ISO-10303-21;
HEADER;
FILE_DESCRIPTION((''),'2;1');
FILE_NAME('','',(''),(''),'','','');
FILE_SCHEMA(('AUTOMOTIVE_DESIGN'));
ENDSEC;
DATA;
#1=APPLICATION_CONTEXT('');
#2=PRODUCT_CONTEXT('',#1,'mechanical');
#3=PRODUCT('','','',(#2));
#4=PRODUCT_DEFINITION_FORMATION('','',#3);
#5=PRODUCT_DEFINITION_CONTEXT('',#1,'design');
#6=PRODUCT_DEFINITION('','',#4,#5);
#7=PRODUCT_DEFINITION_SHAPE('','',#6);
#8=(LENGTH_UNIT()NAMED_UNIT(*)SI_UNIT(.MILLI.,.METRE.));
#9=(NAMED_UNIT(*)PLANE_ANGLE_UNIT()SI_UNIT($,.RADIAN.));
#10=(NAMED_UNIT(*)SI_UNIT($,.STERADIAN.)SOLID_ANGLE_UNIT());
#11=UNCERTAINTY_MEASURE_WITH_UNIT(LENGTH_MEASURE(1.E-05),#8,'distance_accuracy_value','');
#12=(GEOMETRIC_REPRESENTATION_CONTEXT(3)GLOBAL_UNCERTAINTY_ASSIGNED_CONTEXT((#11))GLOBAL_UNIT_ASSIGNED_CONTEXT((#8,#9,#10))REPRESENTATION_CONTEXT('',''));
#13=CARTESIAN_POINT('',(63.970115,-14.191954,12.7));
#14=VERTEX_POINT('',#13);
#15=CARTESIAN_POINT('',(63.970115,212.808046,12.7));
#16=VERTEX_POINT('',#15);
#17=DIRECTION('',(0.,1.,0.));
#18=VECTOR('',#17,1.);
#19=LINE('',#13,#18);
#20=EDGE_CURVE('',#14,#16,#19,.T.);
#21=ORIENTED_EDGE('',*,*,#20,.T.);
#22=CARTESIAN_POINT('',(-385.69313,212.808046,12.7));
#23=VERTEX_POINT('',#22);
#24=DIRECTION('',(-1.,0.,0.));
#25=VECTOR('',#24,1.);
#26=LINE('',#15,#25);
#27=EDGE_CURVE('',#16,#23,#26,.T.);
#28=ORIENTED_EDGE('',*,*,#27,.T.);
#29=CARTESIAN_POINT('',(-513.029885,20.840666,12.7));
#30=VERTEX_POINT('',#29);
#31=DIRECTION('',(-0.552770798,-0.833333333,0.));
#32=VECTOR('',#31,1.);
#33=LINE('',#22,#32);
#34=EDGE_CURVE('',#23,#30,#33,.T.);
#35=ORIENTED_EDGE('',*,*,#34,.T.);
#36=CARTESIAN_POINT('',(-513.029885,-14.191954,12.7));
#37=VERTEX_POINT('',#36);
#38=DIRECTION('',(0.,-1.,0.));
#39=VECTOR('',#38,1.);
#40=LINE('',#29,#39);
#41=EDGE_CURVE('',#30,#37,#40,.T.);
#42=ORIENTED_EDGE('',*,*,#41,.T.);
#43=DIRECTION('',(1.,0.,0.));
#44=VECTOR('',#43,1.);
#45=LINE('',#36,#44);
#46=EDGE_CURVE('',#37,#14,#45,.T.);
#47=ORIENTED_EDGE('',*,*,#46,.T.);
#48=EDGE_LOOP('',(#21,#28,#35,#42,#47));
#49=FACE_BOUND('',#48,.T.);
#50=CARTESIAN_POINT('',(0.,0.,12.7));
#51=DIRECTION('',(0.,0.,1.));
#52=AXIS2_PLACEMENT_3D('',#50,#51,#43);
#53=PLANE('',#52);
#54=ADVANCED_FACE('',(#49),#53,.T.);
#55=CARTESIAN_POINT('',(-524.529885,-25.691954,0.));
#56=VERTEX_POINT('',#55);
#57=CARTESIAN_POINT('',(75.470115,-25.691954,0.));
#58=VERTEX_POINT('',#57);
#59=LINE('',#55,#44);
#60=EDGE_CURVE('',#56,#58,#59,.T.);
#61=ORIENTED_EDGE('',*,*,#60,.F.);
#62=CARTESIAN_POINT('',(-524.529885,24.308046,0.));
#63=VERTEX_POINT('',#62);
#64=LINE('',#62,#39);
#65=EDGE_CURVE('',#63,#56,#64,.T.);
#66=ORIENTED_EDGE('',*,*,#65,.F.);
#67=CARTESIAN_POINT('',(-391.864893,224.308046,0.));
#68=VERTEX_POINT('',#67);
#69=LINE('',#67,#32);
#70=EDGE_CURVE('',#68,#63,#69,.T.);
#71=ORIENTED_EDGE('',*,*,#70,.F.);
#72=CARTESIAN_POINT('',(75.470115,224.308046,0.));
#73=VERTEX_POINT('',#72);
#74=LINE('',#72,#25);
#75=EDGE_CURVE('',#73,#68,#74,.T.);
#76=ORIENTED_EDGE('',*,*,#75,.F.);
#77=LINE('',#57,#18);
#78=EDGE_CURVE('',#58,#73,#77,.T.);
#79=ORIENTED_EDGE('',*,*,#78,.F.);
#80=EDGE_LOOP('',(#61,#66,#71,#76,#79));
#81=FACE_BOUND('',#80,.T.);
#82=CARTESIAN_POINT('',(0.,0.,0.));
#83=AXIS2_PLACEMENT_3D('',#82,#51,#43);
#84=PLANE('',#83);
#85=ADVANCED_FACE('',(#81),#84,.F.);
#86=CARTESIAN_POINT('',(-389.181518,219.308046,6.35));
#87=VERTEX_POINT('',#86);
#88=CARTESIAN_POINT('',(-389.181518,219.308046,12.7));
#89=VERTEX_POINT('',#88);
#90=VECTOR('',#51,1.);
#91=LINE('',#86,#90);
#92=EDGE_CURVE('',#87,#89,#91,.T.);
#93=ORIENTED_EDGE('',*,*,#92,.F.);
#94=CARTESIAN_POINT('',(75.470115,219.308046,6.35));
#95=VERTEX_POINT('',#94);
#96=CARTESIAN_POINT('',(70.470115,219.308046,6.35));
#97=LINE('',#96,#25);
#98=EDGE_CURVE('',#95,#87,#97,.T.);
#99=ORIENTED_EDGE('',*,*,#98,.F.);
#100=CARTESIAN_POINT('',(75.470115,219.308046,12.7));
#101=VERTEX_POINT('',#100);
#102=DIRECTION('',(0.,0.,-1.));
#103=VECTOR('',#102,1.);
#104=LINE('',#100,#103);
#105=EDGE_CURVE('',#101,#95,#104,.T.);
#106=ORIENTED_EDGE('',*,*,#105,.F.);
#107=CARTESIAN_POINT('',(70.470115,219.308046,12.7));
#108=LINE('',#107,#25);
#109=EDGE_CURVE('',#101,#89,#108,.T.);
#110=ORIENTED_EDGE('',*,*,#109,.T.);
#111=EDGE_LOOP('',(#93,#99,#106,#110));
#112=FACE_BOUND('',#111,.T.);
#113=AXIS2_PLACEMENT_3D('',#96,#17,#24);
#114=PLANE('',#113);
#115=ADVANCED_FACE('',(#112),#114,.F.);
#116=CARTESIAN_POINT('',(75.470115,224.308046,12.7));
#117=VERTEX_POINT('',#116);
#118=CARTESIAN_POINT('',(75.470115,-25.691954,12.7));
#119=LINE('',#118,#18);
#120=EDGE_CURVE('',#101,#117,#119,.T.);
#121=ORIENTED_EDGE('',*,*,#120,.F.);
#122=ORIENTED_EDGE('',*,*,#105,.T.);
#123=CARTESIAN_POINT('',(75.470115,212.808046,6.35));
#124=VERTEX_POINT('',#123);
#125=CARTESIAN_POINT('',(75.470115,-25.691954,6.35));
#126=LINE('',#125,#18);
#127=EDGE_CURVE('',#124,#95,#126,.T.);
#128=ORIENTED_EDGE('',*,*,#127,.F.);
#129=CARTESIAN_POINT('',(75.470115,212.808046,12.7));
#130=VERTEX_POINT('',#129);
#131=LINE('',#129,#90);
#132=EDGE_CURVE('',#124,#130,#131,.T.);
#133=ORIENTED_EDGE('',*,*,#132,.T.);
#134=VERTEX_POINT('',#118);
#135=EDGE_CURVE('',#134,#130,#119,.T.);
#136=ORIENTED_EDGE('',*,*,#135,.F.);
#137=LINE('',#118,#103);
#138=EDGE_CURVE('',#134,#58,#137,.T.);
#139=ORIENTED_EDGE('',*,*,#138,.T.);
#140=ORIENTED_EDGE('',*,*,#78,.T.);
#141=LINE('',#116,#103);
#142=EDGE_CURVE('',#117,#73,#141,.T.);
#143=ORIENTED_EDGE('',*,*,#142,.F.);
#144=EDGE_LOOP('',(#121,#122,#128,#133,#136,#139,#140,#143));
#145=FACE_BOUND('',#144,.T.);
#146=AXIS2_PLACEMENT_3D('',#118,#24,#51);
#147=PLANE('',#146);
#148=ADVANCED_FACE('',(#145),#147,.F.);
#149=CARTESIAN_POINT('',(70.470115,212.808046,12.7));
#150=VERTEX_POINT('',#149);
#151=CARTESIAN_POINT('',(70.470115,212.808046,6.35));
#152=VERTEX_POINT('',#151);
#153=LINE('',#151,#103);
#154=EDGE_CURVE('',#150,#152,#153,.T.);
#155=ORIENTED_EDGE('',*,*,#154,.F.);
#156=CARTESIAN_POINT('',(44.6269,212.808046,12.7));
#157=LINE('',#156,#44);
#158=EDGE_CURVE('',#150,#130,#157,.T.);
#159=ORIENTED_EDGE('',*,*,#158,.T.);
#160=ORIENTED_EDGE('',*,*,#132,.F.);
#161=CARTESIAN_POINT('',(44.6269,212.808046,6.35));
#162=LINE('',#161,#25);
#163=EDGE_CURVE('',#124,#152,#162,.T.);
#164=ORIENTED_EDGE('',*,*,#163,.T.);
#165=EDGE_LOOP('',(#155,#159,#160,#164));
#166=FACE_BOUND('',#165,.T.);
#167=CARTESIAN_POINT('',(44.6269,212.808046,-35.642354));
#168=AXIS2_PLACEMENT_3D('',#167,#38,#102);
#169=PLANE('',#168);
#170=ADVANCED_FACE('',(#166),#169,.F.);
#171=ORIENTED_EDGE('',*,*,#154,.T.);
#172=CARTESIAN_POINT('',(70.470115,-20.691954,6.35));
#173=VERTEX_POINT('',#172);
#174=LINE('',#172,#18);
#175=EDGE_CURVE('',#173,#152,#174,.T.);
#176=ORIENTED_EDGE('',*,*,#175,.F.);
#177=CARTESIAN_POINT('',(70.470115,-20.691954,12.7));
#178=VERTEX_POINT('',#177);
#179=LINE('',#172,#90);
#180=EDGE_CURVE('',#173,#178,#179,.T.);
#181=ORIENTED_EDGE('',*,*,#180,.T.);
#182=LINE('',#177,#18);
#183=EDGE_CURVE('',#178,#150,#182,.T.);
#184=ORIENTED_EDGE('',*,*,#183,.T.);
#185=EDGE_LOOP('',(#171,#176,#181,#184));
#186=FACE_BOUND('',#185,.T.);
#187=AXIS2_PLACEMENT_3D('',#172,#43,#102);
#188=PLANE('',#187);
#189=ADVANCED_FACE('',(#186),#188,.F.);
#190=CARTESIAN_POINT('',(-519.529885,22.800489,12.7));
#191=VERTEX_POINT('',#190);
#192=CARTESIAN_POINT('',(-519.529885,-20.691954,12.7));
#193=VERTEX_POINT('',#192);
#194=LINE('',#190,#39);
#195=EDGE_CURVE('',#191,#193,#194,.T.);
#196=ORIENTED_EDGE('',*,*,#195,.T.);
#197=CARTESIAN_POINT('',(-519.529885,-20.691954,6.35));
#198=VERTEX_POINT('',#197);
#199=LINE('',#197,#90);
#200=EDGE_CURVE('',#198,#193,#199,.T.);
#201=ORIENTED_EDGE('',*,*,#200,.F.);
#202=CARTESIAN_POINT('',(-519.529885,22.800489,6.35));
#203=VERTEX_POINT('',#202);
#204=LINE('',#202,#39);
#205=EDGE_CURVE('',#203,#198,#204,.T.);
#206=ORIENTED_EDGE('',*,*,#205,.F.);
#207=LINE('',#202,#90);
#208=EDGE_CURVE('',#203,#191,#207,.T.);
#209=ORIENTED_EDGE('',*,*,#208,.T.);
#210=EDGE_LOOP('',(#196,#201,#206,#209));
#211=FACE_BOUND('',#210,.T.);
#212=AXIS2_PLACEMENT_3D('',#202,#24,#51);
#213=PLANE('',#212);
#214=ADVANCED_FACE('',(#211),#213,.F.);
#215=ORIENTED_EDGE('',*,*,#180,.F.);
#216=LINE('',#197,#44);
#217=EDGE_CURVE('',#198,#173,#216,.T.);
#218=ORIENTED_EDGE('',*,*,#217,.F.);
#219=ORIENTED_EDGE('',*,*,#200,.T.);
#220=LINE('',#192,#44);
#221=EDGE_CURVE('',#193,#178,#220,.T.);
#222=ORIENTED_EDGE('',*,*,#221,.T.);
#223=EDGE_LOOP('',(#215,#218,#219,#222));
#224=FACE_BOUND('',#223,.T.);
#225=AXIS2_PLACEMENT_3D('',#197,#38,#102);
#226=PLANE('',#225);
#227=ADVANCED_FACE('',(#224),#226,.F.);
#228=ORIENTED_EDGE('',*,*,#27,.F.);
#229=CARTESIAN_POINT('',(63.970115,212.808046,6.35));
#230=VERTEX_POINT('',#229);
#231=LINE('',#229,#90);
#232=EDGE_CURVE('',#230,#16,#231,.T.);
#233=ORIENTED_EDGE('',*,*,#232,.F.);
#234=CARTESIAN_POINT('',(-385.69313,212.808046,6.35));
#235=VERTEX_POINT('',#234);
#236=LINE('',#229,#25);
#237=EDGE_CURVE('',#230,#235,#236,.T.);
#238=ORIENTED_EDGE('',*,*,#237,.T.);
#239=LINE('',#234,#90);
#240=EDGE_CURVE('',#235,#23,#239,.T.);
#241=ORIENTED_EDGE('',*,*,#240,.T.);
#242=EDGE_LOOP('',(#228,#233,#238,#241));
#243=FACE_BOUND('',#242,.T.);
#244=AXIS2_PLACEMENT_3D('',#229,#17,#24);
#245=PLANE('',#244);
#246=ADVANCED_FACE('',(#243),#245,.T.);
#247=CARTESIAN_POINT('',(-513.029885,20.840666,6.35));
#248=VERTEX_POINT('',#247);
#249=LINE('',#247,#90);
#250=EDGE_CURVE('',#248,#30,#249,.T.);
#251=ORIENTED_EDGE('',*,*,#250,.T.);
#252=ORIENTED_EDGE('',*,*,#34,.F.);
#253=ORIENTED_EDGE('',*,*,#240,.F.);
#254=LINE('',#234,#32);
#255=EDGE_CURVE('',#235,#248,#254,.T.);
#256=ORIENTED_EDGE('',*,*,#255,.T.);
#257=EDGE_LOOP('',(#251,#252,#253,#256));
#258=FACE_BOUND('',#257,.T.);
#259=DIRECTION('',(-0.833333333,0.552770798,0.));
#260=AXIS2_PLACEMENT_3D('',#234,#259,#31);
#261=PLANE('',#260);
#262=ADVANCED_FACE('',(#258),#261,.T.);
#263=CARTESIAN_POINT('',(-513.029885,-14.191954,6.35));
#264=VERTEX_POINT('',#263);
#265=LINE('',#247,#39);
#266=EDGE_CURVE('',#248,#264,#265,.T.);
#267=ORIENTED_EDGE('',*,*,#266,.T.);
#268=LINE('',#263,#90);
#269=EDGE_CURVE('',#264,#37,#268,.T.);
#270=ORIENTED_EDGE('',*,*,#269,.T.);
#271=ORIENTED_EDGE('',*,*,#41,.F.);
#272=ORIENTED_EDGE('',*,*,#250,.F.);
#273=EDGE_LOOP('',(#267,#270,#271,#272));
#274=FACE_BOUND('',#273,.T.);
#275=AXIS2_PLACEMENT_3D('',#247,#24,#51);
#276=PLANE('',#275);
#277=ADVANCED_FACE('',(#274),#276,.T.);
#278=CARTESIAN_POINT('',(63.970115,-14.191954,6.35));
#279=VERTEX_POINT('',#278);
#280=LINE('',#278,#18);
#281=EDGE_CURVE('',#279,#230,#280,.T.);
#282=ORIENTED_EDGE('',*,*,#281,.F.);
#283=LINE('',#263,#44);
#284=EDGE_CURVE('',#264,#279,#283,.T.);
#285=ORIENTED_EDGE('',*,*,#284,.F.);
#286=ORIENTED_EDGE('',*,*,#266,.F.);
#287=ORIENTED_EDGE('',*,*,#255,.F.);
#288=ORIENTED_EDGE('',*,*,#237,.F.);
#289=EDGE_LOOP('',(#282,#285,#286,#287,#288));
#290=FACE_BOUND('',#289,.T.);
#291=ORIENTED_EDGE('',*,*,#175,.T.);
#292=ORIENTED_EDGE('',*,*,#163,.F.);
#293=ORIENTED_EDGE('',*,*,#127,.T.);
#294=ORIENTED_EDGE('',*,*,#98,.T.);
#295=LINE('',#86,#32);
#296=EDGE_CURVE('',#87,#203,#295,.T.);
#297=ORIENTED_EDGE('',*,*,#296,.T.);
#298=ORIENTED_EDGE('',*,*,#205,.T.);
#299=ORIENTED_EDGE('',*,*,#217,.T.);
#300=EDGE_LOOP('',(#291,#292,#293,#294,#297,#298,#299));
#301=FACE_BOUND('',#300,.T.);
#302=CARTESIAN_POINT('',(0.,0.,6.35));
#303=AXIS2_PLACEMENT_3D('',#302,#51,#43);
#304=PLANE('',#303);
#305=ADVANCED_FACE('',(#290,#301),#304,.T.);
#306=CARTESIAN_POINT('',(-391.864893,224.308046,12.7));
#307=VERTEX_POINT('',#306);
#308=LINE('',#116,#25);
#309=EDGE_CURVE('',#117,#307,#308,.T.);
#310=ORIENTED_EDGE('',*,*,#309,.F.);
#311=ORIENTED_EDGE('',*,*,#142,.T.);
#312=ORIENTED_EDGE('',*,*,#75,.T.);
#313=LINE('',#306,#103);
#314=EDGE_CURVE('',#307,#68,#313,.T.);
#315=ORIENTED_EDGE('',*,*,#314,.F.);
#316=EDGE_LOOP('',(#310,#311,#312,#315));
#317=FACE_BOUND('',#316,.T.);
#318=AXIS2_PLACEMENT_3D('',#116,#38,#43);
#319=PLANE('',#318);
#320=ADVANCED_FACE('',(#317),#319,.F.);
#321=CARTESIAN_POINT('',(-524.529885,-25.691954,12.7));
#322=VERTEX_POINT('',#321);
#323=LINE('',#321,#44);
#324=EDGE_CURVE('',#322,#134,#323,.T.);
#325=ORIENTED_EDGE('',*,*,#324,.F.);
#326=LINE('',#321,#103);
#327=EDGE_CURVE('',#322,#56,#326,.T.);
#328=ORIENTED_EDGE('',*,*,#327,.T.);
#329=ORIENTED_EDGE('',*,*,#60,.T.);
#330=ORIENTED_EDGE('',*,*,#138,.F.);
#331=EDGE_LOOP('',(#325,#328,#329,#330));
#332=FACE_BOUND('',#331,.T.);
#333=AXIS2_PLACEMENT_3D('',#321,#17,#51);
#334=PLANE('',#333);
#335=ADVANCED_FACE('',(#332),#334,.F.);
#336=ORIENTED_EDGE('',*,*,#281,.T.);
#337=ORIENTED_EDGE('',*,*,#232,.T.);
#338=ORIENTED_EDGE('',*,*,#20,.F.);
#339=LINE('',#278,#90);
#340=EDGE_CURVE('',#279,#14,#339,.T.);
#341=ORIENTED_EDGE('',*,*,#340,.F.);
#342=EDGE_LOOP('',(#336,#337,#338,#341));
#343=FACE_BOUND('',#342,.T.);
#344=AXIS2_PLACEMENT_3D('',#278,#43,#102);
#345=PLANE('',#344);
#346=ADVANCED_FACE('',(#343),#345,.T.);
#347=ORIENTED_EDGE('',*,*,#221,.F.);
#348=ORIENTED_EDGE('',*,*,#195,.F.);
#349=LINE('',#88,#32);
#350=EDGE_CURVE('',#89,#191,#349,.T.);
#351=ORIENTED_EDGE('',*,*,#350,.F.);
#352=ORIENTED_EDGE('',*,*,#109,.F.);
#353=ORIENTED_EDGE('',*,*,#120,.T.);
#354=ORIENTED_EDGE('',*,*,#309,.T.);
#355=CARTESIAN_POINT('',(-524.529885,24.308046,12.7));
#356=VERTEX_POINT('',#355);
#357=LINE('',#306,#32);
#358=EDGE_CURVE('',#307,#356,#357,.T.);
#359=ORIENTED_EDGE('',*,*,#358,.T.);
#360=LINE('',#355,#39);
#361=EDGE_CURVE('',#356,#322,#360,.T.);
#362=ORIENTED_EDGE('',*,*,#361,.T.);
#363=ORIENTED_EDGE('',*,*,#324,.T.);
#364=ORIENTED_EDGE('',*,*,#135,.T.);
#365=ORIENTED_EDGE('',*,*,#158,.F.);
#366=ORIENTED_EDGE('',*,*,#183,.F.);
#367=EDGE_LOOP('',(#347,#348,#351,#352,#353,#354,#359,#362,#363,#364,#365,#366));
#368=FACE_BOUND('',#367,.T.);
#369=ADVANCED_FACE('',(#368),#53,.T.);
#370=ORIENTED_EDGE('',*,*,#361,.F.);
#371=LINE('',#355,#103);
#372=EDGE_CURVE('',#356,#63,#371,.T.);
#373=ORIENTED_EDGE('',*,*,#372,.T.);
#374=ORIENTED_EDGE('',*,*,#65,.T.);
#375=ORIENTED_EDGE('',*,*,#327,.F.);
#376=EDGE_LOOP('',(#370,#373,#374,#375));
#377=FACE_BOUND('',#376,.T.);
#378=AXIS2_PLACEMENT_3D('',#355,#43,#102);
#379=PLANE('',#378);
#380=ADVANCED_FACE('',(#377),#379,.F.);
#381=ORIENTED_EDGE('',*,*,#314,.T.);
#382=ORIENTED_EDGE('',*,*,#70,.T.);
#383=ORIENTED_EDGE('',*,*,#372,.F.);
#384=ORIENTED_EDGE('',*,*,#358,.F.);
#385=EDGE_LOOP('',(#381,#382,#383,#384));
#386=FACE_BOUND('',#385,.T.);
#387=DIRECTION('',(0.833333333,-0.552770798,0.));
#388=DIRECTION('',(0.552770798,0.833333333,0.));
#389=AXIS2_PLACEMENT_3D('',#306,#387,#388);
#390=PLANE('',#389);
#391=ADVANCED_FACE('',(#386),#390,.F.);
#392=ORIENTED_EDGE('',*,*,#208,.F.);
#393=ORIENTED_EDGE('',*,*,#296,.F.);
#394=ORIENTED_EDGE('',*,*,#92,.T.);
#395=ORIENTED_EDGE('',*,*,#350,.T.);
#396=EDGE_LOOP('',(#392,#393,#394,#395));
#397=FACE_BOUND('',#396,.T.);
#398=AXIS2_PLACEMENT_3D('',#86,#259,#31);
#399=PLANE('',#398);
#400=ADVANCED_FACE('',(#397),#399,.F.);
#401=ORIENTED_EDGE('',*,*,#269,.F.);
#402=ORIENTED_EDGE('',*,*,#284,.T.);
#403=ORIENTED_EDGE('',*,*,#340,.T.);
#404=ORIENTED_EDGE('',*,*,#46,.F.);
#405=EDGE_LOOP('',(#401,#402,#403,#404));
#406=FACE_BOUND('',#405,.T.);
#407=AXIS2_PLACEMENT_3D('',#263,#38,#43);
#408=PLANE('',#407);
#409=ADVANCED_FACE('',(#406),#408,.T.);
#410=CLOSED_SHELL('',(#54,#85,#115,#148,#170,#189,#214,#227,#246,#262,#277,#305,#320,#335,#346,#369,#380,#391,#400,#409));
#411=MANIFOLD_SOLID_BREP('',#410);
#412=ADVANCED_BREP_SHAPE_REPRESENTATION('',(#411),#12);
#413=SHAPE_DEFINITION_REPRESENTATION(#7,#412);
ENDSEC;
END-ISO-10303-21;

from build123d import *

# Parameters (mm, degrees)
BOSS_EXTRUDE1_DEPTH = 12.7
CUT_EXTRUDE1_DEPTH  = 6.35
SKETCH5_W           = 41.48623644
SKETCH5_H           = 6.5
CUT_EXTRUDE2_DEPTH  = 6.35


with BuildPart() as part:
    # Sketch1 → Boss-Extrude1 (new body)
    with BuildSketch(Plane.XY):
        Polygon((-524.529885057, -25.691954023), (75.470114943, -25.691954023), (75.470114943, 224.308045977), (-391.864893443, 224.308045977), (-524.529885057, 24.308045977), align=None)
    extrude(amount=BOSS_EXTRUDE1_DEPTH)

    # Sketch4 → Cut-Extrude1 (cut)
    with BuildSketch(Plane.XY.offset(12.7)):
        Polygon((-519.529885057, 22.800489254), (-519.529885057, -20.691954023), (70.470114943, -20.691954023), (70.470114943, 219.308045977), (-389.181518234, 219.308045977), align=None)
        Polygon((-513.029885057, 20.840665514), (-513.029885057, -14.191954023), (63.970114943, -14.191954023), (63.970114943, 212.808045977), (-385.693130461, 212.808045977), align=None, mode=Mode.SUBTRACT)
    extrude(amount=-CUT_EXTRUDE1_DEPTH, mode=Mode.SUBTRACT)

    # Sketch5 → Cut-Extrude2 (cut)
    with BuildSketch(Plane.XY.offset(12.7)):
        with Locations((65.370018612, 216.058045977)):
            Rectangle(SKETCH5_W, SKETCH5_H)
    extrude(amount=-CUT_EXTRUDE2_DEPTH, mode=Mode.SUBTRACT)


solid = part.part
